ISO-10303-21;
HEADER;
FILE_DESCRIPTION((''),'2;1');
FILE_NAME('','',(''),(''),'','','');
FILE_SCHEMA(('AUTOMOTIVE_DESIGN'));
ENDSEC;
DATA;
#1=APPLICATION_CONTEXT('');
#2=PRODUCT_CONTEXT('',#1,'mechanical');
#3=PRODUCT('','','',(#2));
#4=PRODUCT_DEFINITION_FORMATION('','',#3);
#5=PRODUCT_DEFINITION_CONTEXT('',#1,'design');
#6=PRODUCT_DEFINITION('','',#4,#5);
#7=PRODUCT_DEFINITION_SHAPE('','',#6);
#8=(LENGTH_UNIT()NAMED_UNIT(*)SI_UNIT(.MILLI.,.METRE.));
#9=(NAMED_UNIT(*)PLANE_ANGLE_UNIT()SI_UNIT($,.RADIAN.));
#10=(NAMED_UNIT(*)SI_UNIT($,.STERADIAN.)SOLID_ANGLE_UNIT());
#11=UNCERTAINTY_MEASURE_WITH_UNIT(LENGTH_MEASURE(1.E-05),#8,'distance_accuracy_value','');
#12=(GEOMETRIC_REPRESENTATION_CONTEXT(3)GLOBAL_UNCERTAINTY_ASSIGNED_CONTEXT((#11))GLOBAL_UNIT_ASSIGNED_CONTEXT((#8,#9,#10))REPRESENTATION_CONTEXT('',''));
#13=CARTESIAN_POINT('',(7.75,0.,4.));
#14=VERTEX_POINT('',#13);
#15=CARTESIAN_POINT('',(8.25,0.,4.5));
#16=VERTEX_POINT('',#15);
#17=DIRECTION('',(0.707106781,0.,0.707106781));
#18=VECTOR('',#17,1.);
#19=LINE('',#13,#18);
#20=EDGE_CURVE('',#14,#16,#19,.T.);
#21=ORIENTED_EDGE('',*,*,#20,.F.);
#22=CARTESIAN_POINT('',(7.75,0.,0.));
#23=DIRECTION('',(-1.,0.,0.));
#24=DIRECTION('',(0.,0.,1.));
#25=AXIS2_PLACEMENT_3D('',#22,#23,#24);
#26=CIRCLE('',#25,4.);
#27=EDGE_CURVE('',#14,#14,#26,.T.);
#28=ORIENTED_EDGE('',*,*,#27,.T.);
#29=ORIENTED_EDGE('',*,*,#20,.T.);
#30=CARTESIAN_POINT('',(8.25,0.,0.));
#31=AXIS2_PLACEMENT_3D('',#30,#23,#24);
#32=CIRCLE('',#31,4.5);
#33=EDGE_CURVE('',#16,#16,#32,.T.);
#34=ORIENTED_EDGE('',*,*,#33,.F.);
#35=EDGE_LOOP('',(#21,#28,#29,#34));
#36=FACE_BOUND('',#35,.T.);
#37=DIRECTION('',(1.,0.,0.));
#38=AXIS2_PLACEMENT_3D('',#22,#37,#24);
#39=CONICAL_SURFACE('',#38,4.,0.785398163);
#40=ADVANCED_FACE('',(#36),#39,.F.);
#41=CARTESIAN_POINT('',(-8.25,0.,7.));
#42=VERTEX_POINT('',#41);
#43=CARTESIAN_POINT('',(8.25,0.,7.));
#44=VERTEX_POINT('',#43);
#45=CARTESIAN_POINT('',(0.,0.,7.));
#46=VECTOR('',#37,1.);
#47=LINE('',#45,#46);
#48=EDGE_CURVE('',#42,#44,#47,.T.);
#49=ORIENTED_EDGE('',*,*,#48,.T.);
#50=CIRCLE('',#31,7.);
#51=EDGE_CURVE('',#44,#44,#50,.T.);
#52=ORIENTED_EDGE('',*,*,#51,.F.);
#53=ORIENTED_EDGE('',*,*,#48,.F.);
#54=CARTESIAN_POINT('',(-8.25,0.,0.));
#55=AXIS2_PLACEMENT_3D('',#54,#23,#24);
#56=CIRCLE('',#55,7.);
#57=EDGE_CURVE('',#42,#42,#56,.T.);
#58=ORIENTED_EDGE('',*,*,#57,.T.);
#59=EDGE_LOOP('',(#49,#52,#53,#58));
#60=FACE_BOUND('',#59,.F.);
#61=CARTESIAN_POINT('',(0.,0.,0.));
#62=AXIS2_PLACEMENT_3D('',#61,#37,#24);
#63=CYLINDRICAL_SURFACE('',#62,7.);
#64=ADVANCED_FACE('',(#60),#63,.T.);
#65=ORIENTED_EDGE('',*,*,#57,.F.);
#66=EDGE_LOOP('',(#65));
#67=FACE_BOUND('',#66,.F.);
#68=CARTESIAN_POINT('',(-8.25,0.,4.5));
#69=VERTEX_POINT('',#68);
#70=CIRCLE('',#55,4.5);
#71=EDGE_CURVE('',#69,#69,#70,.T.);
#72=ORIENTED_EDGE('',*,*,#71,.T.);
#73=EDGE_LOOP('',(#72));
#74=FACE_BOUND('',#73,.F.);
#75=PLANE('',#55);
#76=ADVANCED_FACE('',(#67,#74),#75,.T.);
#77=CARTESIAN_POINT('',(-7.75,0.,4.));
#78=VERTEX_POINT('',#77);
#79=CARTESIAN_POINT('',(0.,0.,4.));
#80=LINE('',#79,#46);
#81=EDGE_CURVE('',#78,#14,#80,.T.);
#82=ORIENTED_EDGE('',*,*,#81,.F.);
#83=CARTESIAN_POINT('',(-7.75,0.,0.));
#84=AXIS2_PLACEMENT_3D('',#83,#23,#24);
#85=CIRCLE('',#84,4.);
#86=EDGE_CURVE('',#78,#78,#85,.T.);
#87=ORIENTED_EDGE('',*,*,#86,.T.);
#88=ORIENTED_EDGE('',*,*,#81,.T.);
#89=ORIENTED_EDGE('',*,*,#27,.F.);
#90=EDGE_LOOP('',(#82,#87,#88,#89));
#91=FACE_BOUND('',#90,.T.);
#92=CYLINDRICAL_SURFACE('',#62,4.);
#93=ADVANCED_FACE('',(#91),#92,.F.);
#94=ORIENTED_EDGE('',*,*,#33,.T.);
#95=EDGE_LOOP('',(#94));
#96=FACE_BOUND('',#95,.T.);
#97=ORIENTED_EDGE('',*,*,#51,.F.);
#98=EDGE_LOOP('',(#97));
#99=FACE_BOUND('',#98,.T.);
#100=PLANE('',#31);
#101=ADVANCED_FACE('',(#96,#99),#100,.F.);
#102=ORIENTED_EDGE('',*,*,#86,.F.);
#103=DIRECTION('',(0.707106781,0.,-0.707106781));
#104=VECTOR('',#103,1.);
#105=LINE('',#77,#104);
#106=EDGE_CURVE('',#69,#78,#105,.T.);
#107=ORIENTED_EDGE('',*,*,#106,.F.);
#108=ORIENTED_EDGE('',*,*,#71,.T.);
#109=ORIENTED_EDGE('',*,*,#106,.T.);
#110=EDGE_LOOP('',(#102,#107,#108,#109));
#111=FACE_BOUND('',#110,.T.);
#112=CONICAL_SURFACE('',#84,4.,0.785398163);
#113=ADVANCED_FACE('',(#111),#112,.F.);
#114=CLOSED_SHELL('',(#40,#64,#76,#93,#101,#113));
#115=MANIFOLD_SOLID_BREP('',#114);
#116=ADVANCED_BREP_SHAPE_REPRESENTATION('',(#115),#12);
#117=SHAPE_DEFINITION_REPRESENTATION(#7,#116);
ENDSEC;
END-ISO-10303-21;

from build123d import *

# Parameters (mm, degrees)
F0_W     = 16.5
F0_H     = 3
F2_SIZE2 = 0.5
F2_SIZE  = 0.5


with BuildPart() as f1:
    # F0 (on Front) → F1 (revolve)
    with BuildSketch(Plane.XZ):
        with Locations((0, 5.5)):
            Rectangle(F0_W, F0_H)
    revolve(axis=Axis((-12.492067, 0, 0), (-1, 0, 0)))

    # F2
    f2_edges = [f1.edges().sort_by_distance(p)[0] for p in [
        (-8.25, 0, -4),
        (8.25, 0, -4),
    ]]
    chamfer(f2_edges, length=F2_SIZE, length2=F2_SIZE2)


solid = f1.part
